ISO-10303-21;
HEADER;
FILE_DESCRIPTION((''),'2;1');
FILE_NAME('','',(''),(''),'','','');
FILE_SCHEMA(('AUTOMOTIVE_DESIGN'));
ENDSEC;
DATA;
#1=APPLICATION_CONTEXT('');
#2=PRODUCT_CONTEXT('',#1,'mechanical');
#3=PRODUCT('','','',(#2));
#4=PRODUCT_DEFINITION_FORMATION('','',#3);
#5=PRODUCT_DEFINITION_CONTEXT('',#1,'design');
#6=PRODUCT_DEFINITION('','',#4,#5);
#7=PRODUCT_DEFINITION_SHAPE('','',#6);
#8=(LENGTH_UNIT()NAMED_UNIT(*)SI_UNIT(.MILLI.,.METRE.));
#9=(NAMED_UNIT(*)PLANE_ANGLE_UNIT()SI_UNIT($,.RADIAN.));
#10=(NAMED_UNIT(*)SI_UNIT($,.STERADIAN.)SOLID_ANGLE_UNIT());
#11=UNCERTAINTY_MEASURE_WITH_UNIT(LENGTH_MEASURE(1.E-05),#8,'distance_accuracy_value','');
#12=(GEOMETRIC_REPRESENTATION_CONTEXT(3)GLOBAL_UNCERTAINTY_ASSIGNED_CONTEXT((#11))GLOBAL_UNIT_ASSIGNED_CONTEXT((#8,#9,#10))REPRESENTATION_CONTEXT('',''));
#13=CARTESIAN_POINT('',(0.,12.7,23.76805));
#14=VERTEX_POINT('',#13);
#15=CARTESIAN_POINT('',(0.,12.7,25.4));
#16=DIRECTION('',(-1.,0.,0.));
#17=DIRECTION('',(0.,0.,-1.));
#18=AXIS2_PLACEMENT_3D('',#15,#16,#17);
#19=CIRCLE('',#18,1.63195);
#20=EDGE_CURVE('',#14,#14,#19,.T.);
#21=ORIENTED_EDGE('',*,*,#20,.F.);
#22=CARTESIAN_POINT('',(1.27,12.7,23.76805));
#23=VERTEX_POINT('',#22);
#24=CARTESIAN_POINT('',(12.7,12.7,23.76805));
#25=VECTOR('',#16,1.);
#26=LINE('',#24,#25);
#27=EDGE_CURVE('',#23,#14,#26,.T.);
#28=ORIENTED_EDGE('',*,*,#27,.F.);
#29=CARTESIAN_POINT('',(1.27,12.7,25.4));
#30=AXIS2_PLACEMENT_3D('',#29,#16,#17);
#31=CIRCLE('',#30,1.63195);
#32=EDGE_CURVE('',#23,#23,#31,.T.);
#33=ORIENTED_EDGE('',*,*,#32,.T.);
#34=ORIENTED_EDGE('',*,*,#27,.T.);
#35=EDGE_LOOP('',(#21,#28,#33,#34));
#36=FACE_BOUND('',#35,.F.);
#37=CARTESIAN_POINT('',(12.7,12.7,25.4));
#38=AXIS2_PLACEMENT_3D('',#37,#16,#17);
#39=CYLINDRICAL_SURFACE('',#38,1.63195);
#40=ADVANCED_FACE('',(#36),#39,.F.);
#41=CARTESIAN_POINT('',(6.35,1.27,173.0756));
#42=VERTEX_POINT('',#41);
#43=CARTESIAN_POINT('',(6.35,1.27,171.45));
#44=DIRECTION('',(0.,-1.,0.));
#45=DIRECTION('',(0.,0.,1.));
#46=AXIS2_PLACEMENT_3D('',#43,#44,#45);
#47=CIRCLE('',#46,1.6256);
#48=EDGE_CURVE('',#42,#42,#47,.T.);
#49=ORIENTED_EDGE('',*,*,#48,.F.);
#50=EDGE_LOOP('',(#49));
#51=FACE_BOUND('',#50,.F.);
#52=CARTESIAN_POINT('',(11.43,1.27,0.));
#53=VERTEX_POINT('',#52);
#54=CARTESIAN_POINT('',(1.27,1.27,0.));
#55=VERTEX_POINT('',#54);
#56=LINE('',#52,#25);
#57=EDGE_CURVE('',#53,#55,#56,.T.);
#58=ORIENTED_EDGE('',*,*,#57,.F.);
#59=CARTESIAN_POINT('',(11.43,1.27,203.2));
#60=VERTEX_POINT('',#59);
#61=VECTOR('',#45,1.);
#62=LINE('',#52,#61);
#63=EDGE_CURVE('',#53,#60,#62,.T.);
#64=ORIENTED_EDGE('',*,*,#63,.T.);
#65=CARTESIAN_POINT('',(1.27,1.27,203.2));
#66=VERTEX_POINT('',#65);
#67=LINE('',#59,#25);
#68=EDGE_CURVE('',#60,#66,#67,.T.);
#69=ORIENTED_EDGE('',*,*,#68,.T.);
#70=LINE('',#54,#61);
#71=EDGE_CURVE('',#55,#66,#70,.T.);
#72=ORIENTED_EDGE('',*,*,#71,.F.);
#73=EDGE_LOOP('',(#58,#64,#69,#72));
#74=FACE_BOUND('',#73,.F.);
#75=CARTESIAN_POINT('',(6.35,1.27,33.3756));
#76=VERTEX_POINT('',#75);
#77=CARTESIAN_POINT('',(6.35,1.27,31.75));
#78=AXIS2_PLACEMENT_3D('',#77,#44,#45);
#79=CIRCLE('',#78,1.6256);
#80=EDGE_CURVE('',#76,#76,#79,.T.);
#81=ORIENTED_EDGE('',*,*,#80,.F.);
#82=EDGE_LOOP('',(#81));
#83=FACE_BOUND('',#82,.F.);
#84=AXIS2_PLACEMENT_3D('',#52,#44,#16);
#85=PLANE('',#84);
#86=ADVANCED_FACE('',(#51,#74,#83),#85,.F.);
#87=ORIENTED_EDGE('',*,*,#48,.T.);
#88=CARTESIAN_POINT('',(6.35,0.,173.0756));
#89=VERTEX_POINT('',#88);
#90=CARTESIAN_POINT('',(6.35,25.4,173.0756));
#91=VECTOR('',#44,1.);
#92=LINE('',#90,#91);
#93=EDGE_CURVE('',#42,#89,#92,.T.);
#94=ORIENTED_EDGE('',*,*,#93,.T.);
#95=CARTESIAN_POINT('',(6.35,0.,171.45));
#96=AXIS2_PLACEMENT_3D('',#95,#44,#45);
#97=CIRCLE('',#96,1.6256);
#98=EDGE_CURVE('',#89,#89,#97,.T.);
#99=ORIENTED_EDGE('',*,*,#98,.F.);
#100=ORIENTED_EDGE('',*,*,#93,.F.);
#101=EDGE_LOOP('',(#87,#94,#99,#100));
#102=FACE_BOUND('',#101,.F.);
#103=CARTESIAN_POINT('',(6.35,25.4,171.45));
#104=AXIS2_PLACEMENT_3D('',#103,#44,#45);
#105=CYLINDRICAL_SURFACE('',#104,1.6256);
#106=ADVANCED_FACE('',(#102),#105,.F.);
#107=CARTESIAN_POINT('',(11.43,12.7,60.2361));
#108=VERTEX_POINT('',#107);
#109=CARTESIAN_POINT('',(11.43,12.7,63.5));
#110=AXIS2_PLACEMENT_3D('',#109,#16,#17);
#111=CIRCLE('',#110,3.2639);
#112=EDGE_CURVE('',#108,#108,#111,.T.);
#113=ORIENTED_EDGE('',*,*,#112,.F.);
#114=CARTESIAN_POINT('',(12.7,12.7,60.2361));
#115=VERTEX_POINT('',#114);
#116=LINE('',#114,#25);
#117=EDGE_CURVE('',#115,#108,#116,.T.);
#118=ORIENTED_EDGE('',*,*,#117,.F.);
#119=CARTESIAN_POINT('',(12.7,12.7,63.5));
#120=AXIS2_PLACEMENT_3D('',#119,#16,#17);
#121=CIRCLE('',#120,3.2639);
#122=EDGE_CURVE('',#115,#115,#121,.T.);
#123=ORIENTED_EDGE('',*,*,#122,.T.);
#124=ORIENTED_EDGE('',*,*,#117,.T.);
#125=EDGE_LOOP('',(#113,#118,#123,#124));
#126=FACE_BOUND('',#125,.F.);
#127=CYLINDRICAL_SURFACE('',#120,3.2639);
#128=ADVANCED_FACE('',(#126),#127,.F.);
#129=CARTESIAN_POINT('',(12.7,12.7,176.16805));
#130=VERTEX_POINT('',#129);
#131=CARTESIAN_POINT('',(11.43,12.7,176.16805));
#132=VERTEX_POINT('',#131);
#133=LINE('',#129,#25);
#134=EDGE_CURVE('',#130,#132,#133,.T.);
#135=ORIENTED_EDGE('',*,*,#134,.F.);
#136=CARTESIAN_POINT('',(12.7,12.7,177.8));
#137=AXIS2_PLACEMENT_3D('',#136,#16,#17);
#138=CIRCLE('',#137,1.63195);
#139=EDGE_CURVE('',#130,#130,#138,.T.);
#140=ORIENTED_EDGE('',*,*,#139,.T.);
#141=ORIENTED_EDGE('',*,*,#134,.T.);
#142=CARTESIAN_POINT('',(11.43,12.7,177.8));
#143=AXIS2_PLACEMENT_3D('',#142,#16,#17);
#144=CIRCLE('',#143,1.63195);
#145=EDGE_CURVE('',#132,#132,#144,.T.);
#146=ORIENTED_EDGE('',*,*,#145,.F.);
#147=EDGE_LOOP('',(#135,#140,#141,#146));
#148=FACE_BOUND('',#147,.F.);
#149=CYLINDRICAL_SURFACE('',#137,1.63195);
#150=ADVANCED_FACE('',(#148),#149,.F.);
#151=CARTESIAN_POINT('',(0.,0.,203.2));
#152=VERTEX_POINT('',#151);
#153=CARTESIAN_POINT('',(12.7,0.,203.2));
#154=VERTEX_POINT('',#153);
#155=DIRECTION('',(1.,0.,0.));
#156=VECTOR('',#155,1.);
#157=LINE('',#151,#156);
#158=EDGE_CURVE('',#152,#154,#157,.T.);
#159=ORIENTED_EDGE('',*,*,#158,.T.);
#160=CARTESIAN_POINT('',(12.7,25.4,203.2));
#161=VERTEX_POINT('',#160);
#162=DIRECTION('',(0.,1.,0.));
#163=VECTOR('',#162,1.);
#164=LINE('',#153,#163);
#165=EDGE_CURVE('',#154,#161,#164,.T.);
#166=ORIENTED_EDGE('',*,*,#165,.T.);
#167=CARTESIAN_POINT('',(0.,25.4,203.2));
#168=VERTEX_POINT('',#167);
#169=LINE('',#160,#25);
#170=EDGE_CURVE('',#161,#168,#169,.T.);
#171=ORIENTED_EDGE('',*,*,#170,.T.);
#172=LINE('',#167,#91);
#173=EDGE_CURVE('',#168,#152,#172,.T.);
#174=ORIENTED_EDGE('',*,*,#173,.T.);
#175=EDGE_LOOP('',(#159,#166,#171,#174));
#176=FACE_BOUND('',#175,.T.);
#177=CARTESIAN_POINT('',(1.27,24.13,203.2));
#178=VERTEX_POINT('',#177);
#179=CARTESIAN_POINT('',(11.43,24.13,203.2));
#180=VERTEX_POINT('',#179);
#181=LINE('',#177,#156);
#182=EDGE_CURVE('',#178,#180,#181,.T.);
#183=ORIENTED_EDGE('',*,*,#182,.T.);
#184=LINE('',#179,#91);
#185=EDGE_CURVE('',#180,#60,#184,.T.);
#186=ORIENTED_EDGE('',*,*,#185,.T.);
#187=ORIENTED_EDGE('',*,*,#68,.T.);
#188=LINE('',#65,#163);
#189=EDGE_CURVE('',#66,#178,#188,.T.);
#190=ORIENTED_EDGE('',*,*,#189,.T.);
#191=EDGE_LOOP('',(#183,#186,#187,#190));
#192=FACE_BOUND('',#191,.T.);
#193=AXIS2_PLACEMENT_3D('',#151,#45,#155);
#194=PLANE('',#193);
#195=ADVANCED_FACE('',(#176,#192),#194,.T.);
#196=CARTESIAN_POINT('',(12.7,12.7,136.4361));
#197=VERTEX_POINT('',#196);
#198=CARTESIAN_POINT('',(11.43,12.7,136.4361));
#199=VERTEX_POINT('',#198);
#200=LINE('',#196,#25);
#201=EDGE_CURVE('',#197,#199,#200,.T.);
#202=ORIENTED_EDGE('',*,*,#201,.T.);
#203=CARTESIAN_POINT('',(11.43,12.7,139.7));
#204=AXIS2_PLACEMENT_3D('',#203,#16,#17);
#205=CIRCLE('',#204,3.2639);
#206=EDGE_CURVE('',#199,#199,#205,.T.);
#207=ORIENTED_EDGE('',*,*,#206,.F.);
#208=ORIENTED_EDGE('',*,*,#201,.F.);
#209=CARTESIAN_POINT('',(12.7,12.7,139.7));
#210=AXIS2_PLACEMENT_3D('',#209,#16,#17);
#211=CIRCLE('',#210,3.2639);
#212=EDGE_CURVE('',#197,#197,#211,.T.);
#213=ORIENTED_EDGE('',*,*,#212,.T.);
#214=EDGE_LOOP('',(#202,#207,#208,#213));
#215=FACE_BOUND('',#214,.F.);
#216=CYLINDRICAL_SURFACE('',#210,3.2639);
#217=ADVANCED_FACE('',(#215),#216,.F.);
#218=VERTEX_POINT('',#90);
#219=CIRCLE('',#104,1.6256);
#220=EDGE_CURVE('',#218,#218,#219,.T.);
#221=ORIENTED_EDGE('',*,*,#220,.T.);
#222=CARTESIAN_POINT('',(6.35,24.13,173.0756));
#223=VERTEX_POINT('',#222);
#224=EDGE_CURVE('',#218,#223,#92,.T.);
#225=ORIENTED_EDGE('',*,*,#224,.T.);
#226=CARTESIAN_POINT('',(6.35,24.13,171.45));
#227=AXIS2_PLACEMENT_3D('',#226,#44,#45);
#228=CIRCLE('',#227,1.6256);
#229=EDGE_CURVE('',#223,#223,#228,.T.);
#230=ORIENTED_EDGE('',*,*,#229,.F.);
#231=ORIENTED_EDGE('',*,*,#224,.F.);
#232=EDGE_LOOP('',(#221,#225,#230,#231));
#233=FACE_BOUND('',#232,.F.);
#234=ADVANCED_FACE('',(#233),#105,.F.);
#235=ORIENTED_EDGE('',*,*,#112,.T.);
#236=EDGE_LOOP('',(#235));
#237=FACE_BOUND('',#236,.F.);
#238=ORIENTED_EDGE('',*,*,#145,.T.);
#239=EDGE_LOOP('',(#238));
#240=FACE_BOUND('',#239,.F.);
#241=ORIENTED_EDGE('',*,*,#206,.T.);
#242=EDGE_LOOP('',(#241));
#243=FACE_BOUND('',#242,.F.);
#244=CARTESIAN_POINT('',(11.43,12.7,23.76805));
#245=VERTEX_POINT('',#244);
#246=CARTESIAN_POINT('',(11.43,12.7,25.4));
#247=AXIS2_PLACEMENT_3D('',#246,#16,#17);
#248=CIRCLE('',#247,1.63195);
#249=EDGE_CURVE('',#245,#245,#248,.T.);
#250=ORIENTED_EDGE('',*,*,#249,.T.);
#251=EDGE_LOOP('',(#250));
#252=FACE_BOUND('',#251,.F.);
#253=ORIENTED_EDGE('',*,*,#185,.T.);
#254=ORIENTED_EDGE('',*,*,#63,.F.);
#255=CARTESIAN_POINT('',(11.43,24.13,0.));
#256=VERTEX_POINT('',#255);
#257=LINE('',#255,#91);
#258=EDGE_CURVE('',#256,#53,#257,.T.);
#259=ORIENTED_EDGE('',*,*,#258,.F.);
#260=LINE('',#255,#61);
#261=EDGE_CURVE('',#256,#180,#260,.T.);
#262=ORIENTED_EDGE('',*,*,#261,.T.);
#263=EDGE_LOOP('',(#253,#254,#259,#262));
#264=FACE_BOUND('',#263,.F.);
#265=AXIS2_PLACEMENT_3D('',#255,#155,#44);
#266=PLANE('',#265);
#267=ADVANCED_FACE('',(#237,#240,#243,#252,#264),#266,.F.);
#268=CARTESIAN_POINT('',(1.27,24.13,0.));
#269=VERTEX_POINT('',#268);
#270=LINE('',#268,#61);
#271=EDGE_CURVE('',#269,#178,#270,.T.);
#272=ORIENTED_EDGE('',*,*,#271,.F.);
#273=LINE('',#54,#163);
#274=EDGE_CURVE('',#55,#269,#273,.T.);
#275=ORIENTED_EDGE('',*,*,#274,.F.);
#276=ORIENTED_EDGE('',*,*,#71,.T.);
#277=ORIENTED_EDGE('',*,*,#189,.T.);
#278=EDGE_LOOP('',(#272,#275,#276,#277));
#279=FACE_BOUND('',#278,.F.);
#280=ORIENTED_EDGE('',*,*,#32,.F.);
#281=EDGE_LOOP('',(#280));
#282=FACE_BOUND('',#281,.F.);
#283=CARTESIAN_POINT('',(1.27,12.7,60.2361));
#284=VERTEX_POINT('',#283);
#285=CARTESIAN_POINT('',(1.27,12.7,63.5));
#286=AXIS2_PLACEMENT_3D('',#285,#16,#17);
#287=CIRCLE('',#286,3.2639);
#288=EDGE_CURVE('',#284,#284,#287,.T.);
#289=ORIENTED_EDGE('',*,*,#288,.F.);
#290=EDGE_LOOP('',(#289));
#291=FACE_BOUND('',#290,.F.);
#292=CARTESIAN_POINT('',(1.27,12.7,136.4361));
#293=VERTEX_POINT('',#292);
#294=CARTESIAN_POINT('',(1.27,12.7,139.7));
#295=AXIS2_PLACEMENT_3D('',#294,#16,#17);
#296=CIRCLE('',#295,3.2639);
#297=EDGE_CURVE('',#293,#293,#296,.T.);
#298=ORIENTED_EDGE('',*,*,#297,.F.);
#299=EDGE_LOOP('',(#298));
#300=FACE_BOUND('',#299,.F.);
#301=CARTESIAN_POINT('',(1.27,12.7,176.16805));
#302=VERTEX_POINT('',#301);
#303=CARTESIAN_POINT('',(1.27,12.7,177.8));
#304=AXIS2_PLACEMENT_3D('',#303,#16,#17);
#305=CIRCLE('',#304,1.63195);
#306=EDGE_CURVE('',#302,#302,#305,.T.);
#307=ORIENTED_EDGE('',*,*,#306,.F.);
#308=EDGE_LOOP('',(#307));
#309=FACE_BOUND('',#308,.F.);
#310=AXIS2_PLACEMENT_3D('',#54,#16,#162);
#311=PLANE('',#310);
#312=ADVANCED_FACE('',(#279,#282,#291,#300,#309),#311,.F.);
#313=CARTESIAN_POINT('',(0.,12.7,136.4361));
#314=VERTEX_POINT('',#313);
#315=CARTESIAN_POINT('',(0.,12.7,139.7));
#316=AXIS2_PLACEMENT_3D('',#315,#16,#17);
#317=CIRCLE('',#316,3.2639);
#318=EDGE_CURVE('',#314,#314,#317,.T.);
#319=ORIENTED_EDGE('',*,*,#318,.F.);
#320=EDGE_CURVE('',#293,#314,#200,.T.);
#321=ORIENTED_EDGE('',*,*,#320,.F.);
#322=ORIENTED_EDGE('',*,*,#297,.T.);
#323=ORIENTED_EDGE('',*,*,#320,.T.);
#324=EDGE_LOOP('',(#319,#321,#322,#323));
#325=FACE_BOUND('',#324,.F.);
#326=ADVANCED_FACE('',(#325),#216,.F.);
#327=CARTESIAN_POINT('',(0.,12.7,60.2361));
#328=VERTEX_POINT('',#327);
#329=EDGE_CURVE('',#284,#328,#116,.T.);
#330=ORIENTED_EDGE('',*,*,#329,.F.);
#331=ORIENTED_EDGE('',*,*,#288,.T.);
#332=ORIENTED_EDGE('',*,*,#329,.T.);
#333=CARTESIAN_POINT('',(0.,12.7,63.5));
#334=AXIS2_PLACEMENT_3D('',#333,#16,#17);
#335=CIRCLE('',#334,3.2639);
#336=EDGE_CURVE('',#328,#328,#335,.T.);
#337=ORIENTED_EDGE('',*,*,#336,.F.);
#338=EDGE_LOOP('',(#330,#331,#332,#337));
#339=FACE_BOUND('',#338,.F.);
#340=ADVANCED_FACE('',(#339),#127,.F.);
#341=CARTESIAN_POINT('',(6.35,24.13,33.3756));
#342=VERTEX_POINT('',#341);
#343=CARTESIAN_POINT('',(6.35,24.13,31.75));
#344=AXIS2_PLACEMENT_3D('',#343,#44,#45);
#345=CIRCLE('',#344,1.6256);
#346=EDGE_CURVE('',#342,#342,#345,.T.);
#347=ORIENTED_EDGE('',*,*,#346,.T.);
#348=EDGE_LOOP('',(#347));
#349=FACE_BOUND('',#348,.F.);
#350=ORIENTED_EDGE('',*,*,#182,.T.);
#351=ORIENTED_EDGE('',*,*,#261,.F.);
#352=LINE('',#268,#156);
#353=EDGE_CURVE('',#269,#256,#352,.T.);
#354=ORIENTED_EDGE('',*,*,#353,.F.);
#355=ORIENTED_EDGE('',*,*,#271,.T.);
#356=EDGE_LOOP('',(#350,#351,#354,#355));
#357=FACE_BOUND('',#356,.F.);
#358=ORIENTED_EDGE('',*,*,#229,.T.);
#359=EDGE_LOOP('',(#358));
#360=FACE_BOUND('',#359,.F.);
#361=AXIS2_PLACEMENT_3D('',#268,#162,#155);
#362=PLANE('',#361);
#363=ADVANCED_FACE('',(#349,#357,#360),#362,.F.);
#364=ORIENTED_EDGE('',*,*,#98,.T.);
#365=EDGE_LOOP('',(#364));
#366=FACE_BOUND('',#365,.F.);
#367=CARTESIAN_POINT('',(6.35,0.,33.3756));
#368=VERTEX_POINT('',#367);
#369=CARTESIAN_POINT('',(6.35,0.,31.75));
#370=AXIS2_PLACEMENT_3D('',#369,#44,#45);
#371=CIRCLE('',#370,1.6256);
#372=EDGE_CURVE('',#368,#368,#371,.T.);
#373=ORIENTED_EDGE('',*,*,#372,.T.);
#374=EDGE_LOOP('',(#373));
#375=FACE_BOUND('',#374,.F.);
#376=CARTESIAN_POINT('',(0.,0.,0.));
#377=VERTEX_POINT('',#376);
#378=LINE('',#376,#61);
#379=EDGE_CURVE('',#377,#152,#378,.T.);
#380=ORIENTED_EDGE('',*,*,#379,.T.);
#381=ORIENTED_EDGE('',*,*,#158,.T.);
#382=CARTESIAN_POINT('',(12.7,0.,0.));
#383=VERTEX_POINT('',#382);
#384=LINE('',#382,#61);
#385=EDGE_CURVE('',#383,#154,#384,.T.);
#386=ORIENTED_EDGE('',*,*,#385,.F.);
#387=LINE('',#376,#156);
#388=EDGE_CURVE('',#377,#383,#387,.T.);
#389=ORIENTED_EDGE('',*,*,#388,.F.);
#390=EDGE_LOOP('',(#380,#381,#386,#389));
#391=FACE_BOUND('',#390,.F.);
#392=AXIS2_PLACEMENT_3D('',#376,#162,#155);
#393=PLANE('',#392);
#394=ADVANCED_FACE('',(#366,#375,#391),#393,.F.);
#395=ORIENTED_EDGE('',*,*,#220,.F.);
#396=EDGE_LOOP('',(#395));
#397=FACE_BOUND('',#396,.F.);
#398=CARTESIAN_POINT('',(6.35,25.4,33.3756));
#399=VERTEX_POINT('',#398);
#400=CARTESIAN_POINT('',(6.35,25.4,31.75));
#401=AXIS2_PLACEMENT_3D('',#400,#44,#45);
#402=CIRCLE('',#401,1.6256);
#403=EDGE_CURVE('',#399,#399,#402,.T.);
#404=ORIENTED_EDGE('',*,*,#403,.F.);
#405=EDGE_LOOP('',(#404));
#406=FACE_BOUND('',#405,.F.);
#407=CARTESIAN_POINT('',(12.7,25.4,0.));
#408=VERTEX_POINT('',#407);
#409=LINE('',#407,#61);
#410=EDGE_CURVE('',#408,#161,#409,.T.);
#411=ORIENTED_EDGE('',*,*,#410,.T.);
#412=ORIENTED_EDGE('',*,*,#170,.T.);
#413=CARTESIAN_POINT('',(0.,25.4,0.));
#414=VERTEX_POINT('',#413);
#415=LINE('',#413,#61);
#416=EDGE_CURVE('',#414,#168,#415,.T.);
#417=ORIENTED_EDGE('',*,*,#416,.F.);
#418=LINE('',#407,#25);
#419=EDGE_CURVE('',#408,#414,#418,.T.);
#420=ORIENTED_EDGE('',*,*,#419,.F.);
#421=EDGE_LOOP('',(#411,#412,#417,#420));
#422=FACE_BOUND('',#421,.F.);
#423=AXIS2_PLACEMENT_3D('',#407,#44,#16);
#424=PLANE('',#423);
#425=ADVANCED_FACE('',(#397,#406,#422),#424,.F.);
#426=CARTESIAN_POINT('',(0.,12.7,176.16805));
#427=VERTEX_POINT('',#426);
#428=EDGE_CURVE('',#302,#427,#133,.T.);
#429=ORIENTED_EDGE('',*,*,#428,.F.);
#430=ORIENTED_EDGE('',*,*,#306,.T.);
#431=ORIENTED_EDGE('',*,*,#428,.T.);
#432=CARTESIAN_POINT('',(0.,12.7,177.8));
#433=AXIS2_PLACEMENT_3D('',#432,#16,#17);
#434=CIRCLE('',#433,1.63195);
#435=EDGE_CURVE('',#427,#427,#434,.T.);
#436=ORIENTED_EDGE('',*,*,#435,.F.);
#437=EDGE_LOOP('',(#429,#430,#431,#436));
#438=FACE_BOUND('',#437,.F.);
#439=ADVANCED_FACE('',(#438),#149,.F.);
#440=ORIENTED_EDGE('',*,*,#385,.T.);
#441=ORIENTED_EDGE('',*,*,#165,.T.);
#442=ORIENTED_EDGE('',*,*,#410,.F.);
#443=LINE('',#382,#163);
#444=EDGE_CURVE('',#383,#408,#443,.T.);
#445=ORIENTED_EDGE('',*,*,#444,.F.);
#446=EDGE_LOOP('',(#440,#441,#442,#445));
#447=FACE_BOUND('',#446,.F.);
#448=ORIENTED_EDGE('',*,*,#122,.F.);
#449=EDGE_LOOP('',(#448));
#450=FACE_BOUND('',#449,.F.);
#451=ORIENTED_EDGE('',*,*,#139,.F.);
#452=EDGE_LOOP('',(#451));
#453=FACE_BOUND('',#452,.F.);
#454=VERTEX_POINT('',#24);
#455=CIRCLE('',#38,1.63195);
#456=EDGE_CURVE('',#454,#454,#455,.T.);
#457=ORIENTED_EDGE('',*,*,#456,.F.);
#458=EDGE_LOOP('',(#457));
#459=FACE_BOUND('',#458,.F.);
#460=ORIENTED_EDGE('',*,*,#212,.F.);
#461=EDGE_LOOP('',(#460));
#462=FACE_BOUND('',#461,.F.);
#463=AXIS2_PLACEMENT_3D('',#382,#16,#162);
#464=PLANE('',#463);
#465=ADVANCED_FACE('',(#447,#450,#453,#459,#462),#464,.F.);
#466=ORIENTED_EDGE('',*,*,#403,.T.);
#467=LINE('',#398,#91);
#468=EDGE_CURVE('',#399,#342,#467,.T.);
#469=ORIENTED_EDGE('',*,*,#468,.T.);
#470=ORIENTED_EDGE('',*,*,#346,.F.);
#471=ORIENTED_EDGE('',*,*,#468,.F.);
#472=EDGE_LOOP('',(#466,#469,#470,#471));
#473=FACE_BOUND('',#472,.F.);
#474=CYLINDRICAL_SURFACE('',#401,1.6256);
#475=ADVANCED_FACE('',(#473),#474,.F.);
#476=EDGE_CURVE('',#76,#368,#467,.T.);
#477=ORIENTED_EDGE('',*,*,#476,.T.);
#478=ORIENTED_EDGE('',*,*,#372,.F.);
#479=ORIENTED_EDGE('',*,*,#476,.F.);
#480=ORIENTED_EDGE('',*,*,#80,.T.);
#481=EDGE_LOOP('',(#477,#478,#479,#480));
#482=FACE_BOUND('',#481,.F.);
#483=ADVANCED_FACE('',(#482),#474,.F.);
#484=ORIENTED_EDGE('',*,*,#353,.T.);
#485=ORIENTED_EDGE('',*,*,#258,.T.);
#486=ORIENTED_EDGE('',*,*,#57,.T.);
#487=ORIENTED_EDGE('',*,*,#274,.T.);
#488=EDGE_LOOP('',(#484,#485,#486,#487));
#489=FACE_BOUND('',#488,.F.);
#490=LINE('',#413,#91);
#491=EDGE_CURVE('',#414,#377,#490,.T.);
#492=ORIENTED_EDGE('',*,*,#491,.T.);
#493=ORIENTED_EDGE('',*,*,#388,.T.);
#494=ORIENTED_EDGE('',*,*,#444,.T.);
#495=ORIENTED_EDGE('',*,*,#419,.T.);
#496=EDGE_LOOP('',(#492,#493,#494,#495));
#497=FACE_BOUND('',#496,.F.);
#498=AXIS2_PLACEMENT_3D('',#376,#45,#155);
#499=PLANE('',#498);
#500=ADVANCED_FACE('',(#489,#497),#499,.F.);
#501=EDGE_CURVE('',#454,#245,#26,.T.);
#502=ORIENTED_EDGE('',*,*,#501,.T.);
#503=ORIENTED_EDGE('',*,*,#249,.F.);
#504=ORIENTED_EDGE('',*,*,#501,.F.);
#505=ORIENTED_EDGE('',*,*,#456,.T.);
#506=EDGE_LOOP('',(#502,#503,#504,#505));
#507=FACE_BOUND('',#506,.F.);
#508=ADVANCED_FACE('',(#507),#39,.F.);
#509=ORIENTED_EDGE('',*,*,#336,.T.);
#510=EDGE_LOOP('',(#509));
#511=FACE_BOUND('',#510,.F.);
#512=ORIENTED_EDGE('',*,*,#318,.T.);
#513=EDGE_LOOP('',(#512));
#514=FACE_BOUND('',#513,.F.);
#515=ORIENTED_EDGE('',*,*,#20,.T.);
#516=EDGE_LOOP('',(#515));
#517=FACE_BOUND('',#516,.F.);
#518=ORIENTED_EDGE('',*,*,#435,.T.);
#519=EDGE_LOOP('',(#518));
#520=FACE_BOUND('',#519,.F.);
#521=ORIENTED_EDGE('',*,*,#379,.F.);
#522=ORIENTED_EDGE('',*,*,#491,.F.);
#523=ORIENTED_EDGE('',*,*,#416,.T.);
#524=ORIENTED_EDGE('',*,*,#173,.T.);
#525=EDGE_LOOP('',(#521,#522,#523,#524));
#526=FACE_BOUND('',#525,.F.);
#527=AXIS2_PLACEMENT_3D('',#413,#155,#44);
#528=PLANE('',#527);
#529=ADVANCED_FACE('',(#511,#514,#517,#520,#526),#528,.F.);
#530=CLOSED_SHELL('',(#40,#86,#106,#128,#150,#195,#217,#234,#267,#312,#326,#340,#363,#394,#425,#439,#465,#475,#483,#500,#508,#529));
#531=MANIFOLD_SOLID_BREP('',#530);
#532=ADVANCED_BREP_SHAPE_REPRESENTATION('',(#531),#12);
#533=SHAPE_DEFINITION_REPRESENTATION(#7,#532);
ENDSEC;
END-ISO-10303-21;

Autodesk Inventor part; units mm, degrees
ref_plane "YZ Plane" through (0, 0, 0) normal (1, 0, 0) x (0, 1, 0)
ref_plane "XZ Plane" through (0, 0, 0) normal (0, 1, 0) x (-1, 0, 0)
ref_plane "XY Plane" through (0, 0, 0) normal (0, 0, 1) x (1, 0, 0)
sketch "Sketch1" plane through (0, 0, 0) normal (0, 0, 1) x (1, 0, 0)
  line L0 (0, 0) -> (12.7, 0)
  line L1 (12.7, 0) -> (12.7, 25.4)
  line L2 (12.7, 25.4) -> (0, 25.4)
  line L3 (0, 25.4) -> (0, 0)
  line L4 (1.27, 24.13) -> (11.43, 24.13)
  line L5 (11.43, 24.13) -> (11.43, 1.27)
  line L6 (11.43, 1.27) -> (1.27, 1.27)
  line L7 (1.27, 1.27) -> (1.27, 24.13)
  dimension "d0" = 25.4
  dimension "d1" = 12.7
  dimension "d2" = 1.27
extrude "Extrusion1" add sketch "Sketch1" along normal blind 203.2
sketch "Sketch2" plane through (12.7, 0, 0) normal (1, 0, 0) x (0, 0, -1)
  line L0 (-168.1044, 12.7) -> (-15.152, 12.7) construction
  line L1 (0, 0) -> (-203.2, 0) construction
  line L2 (-203.2, 0) -> (-203.2, 25.4) projected
  line L3 (0, 0) -> (0, 25.4) projected
  point P0 (-177.8, 12.7)
  point P1 (-25.4, 12.7)
  dimension "d5" = 12.7
  dimension "d6" = 25.4
  dimension "d7" = 25.4
hole "Hole1" at (12.7, 12.7, 177.8) at (12.7, 12.7, 25.4) direction (-1, 0, 0) diameter 3.2639 end through all
sketch "Sketch3" plane through (12.7, 0, 0) normal (1, 0, 0) x (0, 0, -1)
  circle A0 centre (-177.8, 12.7) radius 1.632 projected
  circle A1 centre (-25.4, 12.7) radius 1.632 projected
  line L0 (-214.4228, 12.7) -> (16.7128, 12.7) construction
  point P0 (0, 0)
  point P1 (-139.7, 12.7)
  point P2 (-63.5, 12.7)
  dimension "d18" = 38.1
  dimension "d19" = 38.1
hole "Hole2" at (12.7, 12.7, 139.7) at (12.7, 12.7, 63.5) direction (-1, 0, 0) diameter 6.5278 end through all
sketch "Sketch4" plane through (0, 25.4, 0) normal (0, 1, 0) x (1, 0, 0)
  line L0 (6.35, 23.2485) -> (6.35, -226.9955) construction
  line L1 (12.7, 0) -> (12.7, -203.2) construction
  line L2 (12.7, 0) -> (0, 0) projected
  line L3 (0, 0) -> (0, -203.2) projected
  line L4 (12.7, -203.2) -> (0, -203.2) projected
  line L5 (12.7, 0) -> (12.7, -203.2) projected
  point P0 (0, 0)
  point P1 (6.35, -31.75)
  point P2 (6.35, -171.45)
  dimension "d27" = 6.35
  dimension "d28" = 31.75
  dimension "d29" = 31.75
hole "Hole3" at (6.35, 25.4, 31.75) at (6.35, 25.4, 171.45) direction (0, -1, 0) diameter 3.2512 end through all
properties part number "000101"
